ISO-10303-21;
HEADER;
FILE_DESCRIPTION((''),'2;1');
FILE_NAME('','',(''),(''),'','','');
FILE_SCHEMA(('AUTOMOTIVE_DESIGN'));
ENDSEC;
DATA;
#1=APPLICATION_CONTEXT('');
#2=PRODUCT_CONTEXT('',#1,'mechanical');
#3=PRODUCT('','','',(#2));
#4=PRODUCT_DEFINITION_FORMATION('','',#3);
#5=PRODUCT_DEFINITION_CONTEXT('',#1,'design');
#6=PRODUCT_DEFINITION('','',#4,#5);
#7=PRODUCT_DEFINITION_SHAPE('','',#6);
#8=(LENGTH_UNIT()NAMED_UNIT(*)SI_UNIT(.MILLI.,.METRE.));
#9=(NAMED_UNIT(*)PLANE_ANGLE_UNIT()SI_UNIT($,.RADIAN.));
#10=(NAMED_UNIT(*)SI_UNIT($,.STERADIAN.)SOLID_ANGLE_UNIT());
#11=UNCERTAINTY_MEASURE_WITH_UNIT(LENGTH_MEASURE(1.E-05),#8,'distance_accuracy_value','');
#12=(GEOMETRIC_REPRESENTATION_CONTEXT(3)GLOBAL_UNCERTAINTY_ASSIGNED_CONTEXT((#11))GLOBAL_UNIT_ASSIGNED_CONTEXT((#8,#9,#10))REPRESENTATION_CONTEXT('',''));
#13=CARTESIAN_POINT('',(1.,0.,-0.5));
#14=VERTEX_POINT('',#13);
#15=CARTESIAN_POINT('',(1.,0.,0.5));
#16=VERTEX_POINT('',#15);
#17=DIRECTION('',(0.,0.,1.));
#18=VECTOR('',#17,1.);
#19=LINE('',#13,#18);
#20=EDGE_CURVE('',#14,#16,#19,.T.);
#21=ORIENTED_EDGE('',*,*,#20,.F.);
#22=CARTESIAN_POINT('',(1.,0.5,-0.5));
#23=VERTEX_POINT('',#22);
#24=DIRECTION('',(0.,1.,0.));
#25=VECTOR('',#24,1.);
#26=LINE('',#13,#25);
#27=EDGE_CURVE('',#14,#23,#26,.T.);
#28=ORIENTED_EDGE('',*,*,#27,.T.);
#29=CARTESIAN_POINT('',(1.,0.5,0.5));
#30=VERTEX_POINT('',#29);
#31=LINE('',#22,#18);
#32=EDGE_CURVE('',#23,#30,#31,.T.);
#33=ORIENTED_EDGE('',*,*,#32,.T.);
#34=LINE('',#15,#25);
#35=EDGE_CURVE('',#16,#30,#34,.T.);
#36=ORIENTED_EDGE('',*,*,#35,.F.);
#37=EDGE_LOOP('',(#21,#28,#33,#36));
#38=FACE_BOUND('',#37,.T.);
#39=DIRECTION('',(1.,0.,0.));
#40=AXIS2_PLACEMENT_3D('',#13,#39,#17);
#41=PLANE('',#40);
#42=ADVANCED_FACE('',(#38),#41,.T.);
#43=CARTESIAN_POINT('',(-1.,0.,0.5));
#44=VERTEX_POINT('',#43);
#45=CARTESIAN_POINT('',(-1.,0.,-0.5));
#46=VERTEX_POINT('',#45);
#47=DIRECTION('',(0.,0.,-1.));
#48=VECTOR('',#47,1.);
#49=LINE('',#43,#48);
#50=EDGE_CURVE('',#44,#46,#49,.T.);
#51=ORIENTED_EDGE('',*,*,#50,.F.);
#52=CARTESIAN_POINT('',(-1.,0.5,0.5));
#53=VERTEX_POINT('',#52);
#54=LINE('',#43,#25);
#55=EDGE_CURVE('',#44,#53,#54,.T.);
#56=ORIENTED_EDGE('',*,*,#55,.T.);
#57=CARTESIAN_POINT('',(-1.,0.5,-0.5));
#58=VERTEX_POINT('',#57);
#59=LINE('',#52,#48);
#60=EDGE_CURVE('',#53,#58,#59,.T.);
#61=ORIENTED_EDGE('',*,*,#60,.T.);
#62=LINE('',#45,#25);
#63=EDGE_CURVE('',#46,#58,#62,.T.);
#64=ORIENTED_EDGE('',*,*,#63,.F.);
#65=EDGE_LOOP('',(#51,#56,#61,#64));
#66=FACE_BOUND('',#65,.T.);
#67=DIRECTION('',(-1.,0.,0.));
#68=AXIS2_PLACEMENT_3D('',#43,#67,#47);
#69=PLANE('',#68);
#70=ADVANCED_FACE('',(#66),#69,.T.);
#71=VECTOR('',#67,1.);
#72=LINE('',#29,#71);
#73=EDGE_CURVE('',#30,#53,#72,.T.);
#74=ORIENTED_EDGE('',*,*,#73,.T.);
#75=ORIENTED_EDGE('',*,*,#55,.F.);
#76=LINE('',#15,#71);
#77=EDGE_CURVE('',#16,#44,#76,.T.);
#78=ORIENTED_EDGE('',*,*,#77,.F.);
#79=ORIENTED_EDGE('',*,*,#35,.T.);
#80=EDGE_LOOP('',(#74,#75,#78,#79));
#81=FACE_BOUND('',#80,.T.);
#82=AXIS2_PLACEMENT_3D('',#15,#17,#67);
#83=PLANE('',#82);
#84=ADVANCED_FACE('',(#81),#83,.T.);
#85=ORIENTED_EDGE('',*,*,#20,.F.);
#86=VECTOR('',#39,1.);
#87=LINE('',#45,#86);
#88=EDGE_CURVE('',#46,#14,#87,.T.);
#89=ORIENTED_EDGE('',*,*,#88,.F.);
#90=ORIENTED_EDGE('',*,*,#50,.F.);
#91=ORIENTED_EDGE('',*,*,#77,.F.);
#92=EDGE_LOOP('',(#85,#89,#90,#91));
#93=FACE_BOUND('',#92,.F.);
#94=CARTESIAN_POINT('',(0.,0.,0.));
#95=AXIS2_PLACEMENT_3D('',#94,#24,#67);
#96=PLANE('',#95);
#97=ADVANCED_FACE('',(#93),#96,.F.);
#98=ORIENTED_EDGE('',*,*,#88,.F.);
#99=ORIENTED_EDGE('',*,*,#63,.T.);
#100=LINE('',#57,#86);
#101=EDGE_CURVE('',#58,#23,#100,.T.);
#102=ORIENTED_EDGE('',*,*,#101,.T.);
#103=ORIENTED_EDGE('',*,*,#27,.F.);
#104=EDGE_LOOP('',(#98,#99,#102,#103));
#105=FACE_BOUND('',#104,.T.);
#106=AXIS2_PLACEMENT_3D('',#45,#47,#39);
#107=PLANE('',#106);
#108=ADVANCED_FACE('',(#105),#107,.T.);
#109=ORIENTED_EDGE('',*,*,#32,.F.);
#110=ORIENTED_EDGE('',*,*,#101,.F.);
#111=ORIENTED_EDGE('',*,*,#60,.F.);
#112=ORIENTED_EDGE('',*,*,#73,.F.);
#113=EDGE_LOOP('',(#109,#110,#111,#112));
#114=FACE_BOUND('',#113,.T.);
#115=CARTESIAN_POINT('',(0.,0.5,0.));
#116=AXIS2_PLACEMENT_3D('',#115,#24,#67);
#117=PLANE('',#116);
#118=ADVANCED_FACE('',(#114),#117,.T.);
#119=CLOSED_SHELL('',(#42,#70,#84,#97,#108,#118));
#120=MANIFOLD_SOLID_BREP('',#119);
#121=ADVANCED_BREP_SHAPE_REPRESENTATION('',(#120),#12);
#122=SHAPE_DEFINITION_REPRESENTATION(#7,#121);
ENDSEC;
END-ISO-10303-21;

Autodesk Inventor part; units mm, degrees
ref_plane "YZ Plane" through (0, 0, 0) normal (1, 0, 0) x (0, 1, 0)
ref_plane "XZ Plane" through (0, 0, 0) normal (0, 1, 0) x (-1, 0, 0)
ref_plane "XY Plane" through (0, 0, 0) normal (0, 0, 1) x (1, 0, 0)
sketch "Sketch1" plane through (0, 0, 0) normal (0, 1, 0) x (-1, 0, 0)
  line L0 (-1, 0.5) -> (1, 0.5)
  line L1 (1, 0.5) -> (1, -0.5)
  line L2 (1, -0.5) -> (-1, -0.5)
  line L3 (-1, -0.5) -> (-1, 0.5)
  line L4 (-1, 0.5) -> (1, -0.5) construction
  line L5 (1, 0.5) -> (-1, -0.5) construction
  point P0 (0, 0)
  dimension "d0" = 2
  dimension "d1" = 1
extrude "Extrusion1" add sketch "Sketch1" along normal blind 0.5
properties part number "led"
